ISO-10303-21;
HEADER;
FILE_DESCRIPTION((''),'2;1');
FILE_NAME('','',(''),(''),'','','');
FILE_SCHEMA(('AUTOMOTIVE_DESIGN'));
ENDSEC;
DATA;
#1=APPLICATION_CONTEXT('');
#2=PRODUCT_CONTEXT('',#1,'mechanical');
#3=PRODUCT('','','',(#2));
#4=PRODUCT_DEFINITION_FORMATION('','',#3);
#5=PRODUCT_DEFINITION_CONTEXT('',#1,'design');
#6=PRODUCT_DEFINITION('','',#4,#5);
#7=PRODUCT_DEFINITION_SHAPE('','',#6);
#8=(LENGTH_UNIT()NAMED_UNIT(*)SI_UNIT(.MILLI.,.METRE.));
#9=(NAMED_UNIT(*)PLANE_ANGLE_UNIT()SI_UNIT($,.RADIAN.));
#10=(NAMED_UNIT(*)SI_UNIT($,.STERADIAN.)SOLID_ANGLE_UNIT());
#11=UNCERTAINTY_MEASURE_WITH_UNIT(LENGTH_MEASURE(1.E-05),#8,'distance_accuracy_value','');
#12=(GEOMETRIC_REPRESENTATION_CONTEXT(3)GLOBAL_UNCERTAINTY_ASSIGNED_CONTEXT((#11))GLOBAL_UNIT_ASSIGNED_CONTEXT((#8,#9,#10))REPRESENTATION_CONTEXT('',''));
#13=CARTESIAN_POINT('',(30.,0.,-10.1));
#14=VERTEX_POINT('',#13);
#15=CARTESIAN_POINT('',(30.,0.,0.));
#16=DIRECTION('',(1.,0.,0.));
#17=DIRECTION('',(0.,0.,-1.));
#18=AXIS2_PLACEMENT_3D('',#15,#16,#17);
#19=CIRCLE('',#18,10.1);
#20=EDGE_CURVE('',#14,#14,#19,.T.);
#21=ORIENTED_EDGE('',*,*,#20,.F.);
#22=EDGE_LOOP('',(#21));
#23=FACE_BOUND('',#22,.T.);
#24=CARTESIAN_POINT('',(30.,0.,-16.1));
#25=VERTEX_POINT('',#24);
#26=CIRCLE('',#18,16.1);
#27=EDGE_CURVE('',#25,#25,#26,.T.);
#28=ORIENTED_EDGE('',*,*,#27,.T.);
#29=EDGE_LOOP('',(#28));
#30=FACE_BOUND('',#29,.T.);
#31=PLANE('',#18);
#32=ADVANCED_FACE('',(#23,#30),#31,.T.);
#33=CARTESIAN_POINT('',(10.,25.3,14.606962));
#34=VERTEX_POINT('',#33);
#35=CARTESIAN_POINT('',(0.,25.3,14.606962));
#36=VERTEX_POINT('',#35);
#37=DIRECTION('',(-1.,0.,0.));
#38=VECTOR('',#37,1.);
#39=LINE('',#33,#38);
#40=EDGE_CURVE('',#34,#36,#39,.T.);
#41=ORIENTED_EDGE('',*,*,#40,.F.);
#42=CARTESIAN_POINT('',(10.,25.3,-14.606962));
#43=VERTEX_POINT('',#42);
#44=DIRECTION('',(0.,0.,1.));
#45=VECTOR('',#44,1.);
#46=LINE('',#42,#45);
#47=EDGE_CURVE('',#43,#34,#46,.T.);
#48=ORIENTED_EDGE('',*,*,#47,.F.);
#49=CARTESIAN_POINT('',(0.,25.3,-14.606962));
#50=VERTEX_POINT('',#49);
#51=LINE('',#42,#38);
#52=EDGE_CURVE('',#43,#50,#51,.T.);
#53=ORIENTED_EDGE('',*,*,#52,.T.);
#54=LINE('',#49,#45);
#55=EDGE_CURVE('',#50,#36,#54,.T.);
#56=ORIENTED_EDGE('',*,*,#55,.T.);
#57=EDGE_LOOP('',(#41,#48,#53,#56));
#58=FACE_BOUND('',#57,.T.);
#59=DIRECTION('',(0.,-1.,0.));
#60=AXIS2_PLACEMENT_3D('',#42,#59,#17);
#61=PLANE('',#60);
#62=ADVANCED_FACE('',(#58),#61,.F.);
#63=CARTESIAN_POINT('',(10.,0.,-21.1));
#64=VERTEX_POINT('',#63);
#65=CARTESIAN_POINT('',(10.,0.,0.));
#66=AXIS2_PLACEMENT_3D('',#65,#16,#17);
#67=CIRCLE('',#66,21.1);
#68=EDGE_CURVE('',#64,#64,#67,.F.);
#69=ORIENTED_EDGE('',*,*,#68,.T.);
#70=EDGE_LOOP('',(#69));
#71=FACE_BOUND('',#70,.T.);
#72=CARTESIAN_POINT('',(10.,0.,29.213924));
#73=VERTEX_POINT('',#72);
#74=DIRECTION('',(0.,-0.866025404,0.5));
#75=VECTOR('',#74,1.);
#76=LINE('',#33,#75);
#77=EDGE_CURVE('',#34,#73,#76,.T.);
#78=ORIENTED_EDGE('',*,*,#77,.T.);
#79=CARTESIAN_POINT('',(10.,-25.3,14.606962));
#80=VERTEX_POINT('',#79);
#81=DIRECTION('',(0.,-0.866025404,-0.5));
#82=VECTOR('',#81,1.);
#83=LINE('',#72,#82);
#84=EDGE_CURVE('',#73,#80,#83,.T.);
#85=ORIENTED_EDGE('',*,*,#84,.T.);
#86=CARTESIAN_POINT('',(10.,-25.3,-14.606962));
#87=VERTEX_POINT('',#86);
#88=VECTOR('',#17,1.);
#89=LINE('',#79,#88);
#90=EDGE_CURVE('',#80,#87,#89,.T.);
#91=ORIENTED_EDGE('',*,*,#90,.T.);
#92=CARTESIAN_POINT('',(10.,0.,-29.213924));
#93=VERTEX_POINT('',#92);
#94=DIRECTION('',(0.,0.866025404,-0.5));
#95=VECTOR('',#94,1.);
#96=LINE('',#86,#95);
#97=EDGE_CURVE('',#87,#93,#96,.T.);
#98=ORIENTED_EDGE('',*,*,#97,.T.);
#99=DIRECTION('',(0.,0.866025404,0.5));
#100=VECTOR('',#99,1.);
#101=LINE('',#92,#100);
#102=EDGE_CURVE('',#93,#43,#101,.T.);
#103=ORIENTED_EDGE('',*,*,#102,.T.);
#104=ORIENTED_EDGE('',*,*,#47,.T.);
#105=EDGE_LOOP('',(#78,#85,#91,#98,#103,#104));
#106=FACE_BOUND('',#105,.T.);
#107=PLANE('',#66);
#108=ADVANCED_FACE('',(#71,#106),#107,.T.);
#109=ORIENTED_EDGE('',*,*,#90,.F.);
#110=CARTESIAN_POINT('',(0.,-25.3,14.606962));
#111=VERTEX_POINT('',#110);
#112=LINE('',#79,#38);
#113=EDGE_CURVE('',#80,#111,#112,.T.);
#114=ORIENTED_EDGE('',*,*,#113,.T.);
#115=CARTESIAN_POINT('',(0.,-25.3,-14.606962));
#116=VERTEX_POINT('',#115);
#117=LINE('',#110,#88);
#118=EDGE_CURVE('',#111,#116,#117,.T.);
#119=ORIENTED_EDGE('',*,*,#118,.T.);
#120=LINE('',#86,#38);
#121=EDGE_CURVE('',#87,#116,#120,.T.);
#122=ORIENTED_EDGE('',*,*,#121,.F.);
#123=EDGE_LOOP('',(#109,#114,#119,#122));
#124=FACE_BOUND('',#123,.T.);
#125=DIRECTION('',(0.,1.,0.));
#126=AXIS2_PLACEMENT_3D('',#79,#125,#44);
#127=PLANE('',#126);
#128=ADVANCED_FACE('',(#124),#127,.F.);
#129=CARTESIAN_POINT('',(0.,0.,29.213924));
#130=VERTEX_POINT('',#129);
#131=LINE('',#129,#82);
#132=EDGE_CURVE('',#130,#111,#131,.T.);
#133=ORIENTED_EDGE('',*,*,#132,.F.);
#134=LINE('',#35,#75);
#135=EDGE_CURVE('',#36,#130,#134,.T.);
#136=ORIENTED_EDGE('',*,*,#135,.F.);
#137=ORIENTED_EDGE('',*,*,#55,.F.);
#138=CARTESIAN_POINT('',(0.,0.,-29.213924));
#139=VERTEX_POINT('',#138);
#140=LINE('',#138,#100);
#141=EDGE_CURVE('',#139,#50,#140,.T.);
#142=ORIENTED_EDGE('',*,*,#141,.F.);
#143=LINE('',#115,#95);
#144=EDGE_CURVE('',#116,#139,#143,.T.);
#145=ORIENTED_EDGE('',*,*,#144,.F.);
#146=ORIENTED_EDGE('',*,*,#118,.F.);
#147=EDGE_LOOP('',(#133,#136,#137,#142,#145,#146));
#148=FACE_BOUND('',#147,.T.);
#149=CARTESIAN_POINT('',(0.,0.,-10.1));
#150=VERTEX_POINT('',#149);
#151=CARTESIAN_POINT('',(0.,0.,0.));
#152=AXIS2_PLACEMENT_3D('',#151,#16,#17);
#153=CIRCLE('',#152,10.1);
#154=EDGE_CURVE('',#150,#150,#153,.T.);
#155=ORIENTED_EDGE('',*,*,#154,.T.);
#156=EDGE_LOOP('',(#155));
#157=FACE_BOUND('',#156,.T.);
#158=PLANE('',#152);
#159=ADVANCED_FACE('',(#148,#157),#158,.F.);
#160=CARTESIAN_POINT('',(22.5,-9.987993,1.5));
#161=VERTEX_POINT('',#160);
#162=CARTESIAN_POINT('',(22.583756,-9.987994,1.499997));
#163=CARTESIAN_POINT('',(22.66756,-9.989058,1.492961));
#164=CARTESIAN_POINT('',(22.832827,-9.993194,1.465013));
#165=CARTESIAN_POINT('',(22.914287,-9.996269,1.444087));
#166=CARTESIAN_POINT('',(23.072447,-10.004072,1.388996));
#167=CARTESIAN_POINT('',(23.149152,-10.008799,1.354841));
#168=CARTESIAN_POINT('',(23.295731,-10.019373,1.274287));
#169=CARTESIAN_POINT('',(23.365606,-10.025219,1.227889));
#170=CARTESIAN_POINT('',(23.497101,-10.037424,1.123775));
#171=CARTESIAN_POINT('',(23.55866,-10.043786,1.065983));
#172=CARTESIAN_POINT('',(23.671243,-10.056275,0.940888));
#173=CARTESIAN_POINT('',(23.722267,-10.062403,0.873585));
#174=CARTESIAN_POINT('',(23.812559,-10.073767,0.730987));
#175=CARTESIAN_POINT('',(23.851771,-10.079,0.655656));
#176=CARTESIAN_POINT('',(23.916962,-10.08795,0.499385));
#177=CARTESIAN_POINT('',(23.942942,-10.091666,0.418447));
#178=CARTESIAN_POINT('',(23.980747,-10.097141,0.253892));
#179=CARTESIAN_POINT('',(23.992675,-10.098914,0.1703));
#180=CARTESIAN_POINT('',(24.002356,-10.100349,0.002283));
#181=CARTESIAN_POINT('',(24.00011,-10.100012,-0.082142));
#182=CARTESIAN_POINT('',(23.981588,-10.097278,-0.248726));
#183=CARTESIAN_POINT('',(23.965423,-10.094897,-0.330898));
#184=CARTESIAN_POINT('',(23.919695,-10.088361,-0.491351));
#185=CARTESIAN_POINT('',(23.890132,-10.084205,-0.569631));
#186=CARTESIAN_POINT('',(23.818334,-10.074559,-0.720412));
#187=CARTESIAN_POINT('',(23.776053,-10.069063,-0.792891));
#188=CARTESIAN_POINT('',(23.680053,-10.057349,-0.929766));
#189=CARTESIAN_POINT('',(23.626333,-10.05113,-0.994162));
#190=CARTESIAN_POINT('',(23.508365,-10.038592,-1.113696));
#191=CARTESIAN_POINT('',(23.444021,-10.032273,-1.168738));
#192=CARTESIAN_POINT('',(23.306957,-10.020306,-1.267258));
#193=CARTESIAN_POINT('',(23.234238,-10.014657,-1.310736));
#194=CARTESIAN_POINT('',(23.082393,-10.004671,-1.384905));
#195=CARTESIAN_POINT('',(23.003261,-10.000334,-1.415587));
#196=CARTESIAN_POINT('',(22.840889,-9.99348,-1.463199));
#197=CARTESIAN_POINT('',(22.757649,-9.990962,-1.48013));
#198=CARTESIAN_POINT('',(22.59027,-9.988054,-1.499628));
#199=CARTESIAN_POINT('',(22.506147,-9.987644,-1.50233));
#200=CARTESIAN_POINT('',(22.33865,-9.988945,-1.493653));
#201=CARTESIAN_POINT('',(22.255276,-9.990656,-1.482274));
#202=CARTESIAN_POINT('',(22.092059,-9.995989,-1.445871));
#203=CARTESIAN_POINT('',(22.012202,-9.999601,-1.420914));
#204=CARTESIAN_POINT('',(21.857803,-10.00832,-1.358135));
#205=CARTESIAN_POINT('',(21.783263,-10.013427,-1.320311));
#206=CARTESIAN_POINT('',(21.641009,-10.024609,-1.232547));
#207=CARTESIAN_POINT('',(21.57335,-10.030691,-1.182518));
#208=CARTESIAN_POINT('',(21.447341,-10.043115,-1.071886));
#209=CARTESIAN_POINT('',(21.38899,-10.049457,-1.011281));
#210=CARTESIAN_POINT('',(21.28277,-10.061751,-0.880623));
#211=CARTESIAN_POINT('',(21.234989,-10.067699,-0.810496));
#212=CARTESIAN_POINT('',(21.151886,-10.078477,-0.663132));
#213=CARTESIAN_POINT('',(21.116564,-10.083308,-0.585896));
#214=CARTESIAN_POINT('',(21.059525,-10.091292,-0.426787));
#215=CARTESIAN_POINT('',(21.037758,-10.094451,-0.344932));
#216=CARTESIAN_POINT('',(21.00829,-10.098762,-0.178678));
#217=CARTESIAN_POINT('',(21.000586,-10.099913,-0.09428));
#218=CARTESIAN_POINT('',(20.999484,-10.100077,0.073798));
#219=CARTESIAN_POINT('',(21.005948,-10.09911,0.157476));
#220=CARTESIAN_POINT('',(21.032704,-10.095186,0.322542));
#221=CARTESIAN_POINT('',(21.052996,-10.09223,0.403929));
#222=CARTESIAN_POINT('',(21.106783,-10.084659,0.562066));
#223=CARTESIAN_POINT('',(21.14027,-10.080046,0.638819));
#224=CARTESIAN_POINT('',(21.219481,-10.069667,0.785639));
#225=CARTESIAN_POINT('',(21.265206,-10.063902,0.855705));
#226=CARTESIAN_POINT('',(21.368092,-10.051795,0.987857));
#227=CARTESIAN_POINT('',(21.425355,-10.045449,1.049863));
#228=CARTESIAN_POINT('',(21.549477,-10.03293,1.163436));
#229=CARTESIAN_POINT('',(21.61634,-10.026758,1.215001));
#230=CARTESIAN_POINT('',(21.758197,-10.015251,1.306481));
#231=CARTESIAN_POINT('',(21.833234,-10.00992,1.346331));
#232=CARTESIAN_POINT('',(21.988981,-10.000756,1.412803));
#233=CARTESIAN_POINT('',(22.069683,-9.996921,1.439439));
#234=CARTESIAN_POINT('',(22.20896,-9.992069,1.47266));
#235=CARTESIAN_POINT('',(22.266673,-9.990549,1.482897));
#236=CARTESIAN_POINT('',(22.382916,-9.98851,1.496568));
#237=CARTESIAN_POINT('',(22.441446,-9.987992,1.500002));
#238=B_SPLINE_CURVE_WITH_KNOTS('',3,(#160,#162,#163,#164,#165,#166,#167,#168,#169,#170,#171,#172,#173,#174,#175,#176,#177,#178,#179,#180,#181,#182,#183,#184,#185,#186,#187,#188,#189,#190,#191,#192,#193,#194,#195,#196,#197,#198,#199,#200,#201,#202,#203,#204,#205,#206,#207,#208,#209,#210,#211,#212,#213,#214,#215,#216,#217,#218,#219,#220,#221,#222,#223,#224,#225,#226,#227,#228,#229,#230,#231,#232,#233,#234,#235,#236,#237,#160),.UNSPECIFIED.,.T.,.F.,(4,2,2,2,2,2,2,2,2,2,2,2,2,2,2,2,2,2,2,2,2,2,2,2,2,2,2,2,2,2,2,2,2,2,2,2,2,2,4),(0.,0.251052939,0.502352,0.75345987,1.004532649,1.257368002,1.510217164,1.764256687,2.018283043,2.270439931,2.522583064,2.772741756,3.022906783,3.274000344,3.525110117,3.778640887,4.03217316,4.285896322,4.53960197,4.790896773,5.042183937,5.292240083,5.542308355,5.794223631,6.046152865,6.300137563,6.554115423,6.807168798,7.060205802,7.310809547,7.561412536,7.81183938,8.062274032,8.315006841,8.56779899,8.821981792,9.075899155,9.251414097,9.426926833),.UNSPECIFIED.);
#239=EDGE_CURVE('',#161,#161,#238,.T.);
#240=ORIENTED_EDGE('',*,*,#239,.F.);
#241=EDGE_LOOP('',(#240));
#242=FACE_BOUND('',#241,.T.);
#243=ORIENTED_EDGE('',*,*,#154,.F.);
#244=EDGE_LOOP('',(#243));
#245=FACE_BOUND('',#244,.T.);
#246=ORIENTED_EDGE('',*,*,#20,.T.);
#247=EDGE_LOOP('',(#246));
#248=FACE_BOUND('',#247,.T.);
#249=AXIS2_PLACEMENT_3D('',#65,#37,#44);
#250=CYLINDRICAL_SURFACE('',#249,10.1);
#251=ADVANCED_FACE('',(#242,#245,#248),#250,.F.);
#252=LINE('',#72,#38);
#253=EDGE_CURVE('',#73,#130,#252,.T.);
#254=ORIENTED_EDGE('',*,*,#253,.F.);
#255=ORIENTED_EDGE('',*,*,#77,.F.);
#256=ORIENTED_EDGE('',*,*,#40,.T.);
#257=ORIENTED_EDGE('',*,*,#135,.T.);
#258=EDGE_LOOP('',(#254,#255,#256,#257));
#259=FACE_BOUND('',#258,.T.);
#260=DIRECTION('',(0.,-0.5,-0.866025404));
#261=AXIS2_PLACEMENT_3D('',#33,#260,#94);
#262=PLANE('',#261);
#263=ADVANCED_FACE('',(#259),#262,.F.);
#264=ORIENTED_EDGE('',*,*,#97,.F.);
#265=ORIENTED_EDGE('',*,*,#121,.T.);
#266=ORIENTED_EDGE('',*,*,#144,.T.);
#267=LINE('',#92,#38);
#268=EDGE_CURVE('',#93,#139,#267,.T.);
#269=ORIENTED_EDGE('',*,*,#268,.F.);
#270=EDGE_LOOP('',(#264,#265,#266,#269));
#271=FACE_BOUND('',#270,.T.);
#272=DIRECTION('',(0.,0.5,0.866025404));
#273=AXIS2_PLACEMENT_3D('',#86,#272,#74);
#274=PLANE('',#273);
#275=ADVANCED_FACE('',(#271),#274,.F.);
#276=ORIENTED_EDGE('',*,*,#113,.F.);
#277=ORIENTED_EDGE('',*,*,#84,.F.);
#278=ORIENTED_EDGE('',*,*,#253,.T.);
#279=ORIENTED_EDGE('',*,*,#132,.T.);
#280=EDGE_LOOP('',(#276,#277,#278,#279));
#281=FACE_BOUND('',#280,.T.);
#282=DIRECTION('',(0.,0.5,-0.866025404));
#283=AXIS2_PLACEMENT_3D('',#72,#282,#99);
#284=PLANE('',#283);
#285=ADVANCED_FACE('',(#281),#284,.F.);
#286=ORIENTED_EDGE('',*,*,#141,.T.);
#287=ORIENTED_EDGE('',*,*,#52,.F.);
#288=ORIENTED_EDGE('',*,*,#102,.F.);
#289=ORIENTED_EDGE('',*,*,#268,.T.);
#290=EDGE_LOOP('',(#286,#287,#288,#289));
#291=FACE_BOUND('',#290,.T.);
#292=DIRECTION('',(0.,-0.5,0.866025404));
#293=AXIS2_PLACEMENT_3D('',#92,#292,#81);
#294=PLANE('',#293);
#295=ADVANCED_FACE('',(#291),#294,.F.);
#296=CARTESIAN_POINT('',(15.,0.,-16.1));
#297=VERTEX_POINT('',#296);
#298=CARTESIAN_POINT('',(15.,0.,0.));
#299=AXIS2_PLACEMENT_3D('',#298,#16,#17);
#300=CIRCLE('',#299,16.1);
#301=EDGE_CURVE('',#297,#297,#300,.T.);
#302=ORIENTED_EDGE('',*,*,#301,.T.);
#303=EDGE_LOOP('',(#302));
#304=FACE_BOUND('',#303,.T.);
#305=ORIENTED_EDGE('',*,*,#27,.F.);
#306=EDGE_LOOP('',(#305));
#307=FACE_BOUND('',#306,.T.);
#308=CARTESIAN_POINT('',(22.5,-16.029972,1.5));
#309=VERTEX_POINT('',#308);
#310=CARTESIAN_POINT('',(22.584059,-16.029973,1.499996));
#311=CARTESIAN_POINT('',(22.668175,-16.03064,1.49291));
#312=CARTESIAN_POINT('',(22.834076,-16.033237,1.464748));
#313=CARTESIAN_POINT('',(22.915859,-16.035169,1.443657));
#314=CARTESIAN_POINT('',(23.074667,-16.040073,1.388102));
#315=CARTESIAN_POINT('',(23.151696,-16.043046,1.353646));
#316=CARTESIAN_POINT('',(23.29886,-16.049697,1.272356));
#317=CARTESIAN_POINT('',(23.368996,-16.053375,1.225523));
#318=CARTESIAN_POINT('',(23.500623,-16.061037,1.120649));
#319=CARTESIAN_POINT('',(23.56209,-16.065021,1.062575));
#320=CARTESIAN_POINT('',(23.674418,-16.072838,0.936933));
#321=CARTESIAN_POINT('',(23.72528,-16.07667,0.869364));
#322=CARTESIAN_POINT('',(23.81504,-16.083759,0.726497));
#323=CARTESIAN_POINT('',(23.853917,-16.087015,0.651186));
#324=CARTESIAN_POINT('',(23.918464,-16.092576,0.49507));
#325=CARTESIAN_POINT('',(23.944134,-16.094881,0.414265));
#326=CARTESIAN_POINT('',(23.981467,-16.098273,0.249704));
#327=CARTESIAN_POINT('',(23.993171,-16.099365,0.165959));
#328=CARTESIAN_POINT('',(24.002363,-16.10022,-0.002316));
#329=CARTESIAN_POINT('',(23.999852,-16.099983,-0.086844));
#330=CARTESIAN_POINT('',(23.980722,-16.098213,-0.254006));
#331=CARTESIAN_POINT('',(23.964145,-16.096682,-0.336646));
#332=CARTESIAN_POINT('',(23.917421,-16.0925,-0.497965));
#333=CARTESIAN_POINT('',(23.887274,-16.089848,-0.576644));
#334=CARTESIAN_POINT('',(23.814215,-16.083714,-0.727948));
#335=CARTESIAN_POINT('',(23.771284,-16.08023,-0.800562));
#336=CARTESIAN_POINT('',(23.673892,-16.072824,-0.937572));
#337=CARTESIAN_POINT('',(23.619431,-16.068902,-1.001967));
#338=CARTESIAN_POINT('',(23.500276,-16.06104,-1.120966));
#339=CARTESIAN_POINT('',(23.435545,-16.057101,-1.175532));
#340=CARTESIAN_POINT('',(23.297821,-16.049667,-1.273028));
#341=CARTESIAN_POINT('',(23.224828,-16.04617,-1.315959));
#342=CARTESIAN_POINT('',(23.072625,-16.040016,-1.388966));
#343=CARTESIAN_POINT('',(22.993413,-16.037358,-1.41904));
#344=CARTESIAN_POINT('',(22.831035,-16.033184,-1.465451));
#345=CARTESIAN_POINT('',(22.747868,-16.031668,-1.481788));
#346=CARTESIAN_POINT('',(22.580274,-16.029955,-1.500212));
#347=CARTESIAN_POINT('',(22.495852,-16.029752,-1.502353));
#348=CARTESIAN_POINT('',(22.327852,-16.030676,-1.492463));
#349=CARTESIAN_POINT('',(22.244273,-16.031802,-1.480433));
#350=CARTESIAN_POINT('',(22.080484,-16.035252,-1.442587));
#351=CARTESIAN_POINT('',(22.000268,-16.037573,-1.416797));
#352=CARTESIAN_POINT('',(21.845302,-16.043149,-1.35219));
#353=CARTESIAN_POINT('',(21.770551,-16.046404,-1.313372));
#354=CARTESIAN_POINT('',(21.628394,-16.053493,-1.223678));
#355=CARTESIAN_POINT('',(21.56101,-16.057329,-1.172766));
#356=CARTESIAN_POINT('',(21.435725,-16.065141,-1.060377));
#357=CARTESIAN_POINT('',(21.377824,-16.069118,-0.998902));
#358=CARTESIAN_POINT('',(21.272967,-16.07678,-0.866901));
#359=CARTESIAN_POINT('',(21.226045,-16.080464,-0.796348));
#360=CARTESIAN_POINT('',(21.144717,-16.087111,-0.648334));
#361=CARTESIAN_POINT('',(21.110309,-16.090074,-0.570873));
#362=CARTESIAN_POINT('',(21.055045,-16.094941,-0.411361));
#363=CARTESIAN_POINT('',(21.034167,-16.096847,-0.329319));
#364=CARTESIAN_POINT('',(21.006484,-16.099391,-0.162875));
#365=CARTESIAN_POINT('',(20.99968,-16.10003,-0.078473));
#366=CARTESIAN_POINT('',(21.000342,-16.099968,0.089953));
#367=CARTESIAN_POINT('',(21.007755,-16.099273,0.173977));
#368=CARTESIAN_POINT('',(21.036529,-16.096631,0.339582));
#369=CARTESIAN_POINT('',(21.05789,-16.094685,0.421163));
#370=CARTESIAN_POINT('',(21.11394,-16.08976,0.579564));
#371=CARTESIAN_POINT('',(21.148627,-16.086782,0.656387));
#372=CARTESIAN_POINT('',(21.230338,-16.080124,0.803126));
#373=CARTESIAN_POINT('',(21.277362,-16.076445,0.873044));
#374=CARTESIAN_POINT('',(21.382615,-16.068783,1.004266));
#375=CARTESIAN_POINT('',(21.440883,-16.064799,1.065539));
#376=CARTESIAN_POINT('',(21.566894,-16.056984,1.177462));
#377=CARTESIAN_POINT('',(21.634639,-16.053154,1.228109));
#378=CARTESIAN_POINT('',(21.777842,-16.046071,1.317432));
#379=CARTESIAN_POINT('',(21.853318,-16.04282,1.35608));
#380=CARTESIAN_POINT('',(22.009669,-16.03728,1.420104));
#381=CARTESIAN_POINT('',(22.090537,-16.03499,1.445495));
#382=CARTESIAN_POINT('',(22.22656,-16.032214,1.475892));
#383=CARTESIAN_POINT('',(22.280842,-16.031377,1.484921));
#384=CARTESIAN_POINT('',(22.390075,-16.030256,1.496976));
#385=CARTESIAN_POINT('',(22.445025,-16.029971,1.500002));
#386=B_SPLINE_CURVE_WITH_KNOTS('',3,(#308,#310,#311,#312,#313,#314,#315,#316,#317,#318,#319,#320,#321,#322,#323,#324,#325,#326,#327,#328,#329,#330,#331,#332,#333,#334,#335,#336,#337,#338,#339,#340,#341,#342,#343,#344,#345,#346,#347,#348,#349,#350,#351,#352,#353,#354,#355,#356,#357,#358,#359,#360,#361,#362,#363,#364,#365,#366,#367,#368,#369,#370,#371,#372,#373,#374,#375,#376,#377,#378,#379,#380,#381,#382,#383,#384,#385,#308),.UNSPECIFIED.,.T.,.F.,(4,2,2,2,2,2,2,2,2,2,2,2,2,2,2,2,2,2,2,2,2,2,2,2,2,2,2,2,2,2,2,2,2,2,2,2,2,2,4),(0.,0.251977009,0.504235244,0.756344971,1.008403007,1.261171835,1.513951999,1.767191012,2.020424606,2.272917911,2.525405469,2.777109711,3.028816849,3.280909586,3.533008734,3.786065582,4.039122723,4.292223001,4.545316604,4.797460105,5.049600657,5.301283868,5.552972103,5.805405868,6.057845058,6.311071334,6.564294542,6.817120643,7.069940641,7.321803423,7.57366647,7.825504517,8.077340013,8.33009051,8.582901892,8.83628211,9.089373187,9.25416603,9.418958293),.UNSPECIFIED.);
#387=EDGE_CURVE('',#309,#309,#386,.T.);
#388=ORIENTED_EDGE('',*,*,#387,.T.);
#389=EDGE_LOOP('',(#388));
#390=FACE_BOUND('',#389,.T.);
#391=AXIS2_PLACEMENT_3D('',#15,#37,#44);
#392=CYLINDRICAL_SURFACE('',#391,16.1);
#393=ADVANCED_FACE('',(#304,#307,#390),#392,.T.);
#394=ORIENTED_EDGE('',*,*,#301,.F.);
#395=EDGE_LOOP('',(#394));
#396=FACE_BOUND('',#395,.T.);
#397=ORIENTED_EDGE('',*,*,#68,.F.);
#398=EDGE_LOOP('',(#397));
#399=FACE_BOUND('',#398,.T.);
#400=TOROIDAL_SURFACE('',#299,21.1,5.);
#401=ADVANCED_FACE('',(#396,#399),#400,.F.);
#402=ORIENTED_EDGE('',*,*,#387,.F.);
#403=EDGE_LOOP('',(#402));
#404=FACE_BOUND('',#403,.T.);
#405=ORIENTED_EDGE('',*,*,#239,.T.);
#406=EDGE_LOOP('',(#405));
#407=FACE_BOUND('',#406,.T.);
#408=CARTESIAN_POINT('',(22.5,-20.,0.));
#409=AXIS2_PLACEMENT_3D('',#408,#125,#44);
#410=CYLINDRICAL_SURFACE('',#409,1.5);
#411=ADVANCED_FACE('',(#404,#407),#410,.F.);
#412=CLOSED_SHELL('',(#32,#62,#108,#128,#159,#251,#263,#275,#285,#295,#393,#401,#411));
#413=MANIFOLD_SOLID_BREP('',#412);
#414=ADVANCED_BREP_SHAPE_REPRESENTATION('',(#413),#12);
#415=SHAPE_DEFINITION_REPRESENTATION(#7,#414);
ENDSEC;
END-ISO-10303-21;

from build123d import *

# Parameters (mm, degrees)
SKETCH1_R           = 10.1
BOSS_EXTRUDE1_DEPTH = 10
SKETCH2_R           = 16.1
SKETCH2_R_2         = 10.1
BOSS_EXTRUDE2_DEPTH = 20
FILLET1_R           = 5
CUT_EXTRUDE1_DEPTH  = 20


with BuildPart() as part:
    # Sketch1 → Boss-Extrude1 (new body)
    with BuildSketch(Plane(origin=(0, 0, 0), x_dir=(0, 0, -1), z_dir=(1, 0, 0))):
        Polygon((14.60696181, 25.3), (-14.60696181, 25.3), (-29.213923621, 0), (-14.60696181, -25.3), (14.60696181, -25.3), (29.213923621, 0), align=None)
        Circle(SKETCH1_R, mode=Mode.SUBTRACT)
    extrude(amount=BOSS_EXTRUDE1_DEPTH)

    # Sketch2 → Boss-Extrude2 (add)
    with BuildSketch(Plane(origin=(10, 0, 0), x_dir=(0, 0, -1), z_dir=(1, 0, 0))):
        Circle(SKETCH2_R)
        Circle(SKETCH2_R_2, mode=Mode.SUBTRACT)
    extrude(amount=BOSS_EXTRUDE2_DEPTH)

    # Fillet1
    fillet1_edges = [part.edges().sort_by_distance(p)[0] for p in [
        (10, 0, 16.1),
    ]]
    fillet(fillet1_edges, radius=FILLET1_R)

    # Sketch3 → Cut-Extrude1 (cut)
    with BuildSketch(Plane(origin=(0, 0, 0), x_dir=(1, 0, 0), z_dir=(0, 1, 0))):
        with BuildLine():
            ThreePointArc((21, 0), (22.5, -1.5), (24, 0))
            Line((24, 0), (21, 0))
        make_face()
        with BuildLine():
            Line((21, 0), (24, 0))
            ThreePointArc((24, 0), (22.5, 1.5), (21, 0))
        make_face()
    extrude(amount=-CUT_EXTRUDE1_DEPTH, mode=Mode.SUBTRACT)


solid = part.part
